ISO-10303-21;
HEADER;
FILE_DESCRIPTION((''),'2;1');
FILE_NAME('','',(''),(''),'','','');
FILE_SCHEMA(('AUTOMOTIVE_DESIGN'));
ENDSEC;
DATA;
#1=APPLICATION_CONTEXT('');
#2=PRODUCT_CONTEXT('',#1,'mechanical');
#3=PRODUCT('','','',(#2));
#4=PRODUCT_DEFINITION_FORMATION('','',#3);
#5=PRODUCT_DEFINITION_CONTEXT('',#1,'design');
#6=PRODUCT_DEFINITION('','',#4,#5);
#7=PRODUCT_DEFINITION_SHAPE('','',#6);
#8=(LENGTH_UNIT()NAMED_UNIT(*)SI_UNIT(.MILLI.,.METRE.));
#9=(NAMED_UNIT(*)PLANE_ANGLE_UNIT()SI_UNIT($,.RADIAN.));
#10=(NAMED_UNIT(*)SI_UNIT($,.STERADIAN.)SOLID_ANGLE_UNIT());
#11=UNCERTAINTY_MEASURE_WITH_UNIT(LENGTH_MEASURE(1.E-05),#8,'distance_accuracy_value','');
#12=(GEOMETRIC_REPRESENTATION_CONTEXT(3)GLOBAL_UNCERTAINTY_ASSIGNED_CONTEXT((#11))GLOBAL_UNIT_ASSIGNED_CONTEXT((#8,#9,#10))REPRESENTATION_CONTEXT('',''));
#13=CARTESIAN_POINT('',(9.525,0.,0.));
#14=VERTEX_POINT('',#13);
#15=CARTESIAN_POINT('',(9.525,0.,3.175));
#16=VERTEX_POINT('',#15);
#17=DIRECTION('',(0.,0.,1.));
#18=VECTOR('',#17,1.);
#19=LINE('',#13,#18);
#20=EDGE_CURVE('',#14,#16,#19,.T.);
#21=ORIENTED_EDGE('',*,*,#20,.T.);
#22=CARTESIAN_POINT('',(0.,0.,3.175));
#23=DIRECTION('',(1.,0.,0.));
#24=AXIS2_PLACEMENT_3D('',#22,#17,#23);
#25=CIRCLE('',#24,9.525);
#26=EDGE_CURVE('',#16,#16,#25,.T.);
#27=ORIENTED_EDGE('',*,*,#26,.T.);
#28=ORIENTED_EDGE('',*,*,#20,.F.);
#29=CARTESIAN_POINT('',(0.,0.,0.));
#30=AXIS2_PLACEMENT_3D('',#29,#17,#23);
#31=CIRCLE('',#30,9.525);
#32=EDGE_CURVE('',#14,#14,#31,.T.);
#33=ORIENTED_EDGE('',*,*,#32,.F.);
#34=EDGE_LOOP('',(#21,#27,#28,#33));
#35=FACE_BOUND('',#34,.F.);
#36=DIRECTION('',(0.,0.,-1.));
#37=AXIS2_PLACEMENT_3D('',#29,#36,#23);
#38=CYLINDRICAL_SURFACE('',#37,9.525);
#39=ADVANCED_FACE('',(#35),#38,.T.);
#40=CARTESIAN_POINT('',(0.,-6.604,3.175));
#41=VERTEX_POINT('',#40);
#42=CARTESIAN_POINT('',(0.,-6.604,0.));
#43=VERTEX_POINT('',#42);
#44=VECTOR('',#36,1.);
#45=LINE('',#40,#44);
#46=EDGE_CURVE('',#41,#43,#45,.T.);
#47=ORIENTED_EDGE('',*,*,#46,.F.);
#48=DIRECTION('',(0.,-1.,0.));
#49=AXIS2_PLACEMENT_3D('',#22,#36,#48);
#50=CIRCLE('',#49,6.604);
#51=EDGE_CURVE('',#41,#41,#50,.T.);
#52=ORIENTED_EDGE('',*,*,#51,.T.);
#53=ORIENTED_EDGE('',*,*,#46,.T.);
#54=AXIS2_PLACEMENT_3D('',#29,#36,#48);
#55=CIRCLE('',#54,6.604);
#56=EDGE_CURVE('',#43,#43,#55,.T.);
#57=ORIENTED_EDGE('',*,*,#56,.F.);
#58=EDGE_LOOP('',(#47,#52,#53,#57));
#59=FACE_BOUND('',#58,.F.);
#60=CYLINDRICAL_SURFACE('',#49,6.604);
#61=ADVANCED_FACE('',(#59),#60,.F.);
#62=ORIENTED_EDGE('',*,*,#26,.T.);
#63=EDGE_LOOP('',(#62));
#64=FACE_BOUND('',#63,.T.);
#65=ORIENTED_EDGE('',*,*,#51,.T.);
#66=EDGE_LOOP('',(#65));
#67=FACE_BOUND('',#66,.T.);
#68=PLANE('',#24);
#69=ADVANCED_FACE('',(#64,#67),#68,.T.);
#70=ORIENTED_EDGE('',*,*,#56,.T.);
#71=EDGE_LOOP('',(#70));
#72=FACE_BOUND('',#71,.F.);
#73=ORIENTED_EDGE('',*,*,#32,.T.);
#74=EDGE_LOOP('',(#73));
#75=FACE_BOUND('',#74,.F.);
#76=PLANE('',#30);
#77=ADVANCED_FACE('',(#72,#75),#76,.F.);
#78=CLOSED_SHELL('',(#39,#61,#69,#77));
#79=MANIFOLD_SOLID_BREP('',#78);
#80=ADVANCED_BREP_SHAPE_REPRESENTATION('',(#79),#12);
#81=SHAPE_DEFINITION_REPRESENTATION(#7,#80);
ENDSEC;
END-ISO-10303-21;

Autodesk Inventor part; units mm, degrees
ref_plane "YZ Plane" through (0, 0, 0) normal (1, 0, 0) x (0, 1, 0)
ref_plane "XZ Plane" through (0, 0, 0) normal (0, 1, 0) x (-1, 0, 0)
ref_plane "XY Plane" through (0, 0, 0) normal (0, 0, 1) x (1, 0, 0)
sketch "Sketch1" plane through (0, 0, 0) normal (0, 0, 1) x (1, 0, 0)
  circle A0 centre (0, 0) radius 9.525
  dimension "d0" = 19.05
extrude "Extrusion1" add sketch "Sketch1" along normal blind 3.175
sketch "Sketch2" plane through (0, 0, 3.175) normal (0, 0, 1) x (1, 0, 0)
  point P0 (0, 0)
  point P1 (0, 0)
hole "Hole1" at (0, 0, 3.175) direction (0, 0, -1) diameter 12.954 depth 25.4 tip angle 118
sketch "Sketch3" plane through (0, 0, 3.175) normal (0, 0, 1) x (1, 0, 0)
  point P0 (0, 0)
hole "Hole2" at (0, 0, 3.175) direction (0, 0, -1) diameter 13.208 depth 25.4 tip angle 118
properties part number "washer achobotics"
